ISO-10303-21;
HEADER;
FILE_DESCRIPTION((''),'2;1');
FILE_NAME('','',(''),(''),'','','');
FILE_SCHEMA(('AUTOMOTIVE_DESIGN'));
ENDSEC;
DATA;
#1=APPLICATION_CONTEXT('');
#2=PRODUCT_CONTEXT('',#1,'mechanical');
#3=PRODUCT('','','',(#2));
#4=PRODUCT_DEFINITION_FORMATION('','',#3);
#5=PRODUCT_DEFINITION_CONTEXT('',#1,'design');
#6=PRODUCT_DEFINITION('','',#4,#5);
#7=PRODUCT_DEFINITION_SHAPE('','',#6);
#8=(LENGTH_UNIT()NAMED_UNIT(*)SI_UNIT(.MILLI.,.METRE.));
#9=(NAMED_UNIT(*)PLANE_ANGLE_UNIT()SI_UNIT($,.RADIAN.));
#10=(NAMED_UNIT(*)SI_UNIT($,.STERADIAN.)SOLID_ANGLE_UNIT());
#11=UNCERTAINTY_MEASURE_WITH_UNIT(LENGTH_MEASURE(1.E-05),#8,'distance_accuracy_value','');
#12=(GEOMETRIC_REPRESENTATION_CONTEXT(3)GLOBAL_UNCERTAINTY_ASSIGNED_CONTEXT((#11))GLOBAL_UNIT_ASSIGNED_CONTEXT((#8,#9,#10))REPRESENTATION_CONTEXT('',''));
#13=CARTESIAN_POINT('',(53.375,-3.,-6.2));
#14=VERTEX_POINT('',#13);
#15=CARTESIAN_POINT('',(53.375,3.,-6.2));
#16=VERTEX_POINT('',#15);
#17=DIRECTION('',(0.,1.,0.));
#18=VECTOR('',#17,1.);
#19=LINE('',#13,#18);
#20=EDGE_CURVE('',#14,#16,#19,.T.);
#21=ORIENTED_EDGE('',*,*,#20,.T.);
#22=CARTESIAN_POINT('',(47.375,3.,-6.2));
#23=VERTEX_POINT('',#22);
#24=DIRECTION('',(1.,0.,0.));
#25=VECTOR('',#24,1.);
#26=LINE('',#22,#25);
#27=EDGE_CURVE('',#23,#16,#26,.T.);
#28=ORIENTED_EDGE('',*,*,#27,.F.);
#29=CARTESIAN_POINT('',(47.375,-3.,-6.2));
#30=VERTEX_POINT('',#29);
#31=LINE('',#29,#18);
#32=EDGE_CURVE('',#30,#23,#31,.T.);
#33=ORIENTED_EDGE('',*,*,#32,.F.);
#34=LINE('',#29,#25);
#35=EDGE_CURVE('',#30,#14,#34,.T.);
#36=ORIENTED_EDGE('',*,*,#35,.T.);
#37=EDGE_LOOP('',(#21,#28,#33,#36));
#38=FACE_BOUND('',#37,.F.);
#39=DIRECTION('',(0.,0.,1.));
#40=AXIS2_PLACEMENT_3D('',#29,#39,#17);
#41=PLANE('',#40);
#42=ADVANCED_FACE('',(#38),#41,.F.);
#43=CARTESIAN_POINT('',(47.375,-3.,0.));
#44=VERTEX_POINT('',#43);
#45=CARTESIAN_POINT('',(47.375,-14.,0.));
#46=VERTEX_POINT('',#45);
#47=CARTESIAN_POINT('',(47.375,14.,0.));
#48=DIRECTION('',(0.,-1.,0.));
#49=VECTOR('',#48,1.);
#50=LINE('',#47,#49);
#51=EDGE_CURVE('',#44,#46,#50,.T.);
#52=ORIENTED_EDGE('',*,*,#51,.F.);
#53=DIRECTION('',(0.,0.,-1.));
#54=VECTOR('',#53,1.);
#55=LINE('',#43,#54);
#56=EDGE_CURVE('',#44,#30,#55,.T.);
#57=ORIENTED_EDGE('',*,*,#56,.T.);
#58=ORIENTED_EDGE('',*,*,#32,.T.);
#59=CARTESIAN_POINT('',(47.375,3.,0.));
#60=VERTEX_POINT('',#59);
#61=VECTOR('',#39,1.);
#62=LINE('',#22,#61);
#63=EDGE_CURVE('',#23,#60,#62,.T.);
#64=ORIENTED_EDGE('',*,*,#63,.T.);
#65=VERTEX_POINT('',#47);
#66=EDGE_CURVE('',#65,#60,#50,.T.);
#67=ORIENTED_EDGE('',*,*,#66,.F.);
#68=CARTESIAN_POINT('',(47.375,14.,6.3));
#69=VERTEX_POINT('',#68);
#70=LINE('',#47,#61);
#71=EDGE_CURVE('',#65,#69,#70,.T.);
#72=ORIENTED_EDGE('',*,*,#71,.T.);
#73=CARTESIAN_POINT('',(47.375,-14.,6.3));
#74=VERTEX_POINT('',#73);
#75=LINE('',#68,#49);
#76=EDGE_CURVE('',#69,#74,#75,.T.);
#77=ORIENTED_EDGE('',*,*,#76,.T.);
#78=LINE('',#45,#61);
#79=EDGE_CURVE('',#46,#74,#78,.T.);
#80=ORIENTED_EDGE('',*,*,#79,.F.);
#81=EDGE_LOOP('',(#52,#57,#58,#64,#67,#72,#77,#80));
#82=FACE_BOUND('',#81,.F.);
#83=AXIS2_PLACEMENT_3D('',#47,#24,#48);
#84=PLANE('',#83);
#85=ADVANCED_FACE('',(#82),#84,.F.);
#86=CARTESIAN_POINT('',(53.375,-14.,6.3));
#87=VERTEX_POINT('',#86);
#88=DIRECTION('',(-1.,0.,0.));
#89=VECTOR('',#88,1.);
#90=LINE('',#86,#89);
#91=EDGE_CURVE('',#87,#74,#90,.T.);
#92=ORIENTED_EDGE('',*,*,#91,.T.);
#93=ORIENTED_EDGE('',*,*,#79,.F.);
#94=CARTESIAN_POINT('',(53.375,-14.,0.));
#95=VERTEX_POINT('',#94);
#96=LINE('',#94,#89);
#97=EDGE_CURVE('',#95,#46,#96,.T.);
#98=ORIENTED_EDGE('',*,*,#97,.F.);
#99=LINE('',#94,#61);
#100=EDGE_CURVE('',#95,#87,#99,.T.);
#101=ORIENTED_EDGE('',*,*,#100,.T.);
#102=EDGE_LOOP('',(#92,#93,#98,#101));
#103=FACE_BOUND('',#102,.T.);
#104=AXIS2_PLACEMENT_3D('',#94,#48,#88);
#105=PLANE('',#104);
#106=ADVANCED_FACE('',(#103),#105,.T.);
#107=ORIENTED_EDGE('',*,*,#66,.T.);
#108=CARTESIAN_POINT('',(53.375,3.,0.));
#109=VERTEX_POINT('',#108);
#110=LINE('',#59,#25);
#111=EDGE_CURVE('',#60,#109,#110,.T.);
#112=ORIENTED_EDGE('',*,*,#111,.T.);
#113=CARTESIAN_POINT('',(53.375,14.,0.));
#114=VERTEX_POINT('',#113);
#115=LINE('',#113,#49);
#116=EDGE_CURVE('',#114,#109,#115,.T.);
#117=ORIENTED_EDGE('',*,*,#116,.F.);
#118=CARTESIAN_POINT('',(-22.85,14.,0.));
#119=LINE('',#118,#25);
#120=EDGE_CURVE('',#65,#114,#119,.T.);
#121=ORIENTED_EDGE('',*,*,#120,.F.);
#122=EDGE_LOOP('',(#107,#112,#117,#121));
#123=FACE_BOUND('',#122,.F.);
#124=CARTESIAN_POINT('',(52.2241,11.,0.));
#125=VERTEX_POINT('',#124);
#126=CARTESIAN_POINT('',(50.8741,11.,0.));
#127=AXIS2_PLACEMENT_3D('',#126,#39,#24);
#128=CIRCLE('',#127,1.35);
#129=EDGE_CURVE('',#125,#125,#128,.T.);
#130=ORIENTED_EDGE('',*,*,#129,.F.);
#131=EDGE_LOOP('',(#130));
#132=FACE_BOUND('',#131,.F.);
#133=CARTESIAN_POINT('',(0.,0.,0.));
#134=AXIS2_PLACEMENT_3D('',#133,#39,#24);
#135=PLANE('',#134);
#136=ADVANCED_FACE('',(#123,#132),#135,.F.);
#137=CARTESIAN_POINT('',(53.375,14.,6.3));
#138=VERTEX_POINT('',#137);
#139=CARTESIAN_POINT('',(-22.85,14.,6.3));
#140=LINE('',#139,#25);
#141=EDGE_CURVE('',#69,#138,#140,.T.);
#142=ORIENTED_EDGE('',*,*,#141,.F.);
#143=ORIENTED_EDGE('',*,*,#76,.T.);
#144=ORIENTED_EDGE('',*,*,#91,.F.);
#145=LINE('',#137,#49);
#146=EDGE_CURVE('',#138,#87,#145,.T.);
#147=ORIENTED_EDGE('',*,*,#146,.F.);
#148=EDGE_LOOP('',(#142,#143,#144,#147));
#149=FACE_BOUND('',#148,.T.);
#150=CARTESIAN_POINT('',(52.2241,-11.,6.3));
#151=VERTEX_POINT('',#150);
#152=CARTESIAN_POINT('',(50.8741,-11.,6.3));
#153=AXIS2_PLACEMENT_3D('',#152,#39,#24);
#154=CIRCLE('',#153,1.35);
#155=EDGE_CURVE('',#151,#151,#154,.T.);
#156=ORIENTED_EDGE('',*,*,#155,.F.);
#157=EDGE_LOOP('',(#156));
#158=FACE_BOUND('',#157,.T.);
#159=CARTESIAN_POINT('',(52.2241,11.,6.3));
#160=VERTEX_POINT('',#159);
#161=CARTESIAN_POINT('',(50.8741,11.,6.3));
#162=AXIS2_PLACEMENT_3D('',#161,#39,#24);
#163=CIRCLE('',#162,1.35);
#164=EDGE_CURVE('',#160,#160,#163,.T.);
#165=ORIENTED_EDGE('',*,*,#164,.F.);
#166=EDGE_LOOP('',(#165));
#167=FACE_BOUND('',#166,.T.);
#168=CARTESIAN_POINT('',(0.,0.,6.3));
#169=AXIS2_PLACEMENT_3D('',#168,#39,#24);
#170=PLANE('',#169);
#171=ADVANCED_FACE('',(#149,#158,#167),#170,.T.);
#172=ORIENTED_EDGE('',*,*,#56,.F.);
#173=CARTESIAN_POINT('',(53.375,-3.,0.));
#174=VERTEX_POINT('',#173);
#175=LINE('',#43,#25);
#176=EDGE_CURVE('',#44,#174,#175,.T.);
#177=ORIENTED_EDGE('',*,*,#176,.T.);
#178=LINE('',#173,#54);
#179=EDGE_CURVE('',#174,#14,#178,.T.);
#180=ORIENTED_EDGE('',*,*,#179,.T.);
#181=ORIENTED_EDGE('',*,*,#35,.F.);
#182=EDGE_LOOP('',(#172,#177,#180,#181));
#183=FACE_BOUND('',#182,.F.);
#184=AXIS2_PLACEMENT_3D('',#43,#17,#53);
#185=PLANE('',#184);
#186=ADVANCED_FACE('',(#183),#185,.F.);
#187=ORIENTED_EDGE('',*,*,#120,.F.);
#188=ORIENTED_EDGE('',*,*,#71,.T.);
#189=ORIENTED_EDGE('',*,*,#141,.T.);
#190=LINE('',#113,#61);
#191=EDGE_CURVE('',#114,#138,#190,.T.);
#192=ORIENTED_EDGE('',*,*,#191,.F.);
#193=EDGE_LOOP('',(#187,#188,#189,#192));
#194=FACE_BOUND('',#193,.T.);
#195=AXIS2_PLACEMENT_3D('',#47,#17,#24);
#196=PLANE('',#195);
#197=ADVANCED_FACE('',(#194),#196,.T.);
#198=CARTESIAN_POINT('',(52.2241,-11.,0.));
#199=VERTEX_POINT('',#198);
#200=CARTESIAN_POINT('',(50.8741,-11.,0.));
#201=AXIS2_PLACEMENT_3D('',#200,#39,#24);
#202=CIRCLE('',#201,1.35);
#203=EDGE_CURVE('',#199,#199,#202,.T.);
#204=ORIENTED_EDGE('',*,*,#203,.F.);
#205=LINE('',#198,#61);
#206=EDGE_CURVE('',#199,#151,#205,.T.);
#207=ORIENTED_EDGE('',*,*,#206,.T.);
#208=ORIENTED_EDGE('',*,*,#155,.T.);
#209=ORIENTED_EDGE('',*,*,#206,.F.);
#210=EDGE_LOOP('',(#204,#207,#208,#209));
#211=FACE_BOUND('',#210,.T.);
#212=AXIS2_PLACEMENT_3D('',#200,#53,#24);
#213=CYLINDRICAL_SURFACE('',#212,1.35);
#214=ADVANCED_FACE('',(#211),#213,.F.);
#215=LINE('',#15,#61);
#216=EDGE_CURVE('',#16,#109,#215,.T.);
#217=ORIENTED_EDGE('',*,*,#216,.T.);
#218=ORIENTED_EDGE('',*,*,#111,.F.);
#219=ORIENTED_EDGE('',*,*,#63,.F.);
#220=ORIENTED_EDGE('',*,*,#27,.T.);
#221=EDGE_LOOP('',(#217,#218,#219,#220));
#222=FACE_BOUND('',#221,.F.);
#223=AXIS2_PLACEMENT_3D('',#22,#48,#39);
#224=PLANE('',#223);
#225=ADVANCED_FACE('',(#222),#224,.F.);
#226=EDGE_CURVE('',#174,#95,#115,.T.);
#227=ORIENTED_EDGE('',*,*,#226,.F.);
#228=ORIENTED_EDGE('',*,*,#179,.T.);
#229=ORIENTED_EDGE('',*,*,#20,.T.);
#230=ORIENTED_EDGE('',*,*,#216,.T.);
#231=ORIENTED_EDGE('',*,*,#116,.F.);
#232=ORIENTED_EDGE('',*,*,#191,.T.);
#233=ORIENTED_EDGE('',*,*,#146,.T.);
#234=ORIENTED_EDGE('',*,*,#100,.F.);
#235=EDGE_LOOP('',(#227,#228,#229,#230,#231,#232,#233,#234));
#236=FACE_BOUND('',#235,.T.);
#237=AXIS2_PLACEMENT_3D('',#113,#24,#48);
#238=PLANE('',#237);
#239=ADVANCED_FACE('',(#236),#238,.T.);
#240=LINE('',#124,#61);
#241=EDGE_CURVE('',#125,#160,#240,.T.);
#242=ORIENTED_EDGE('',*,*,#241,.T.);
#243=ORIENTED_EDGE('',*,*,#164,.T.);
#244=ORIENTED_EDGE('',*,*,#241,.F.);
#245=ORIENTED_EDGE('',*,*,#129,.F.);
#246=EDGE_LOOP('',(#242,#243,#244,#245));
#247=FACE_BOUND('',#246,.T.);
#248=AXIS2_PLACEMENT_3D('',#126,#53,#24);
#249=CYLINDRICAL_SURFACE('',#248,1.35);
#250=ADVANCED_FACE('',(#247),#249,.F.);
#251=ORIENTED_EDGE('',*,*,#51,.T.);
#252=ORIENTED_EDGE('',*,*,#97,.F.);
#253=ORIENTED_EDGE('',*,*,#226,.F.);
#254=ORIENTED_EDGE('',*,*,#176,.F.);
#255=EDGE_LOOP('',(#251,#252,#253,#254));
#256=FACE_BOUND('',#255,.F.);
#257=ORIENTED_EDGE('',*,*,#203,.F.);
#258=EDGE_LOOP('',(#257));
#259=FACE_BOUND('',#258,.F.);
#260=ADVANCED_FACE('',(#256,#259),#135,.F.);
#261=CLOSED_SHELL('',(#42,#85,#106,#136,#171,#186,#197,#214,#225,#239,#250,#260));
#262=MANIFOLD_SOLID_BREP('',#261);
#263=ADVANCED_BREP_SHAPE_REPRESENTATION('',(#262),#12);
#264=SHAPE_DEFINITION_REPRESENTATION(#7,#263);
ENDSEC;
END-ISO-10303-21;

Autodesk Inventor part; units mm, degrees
ref_plane "YZ Plane" through (0, 0, 0) normal (1, 0, 0) x (0, 1, 0)
ref_plane "XZ Plane" through (0, 0, 0) normal (0, 1, 0) x (-1, 0, 0)
ref_plane "XY Plane" through (0, 0, 0) normal (0, 0, 1) x (1, 0, 0)
sketch "스케치1" plane through (0, 0, 0) normal (0, 0, 1) x (1, 0, 0)
  line L0 (-22.85, 14) -> (53.375, 14) projected
  arc A0 (-22.85, 14) -> (-34.1366, 8.2833) centre (-22.85, 0) ccw projected
  arc A1 (-34.1366, 8.2833) -> (-32.5242, 5.1) centre (-32.5242, 7.1) ccw projected
  line L1 (-22.85, 5.1) -> (-32.5242, 5.1) projected
  arc A2 (-22.85, -5.1) -> (-22.85, 5.1) centre (-22.85, 0) ccw projected
  line L2 (-32.5242, -5.1) -> (-22.85, -5.1) projected
  arc A3 (-32.5242, -5.1) -> (-34.1366, -8.2833) centre (-32.5242, -7.1) ccw projected
  arc A4 (-34.1366, -8.2833) -> (-22.85, -14) centre (-22.85, 0) ccw projected
  line L3 (53.375, -14) -> (-22.85, -14) projected
  line L4 (53.375, 14) -> (53.375, -14) projected
  circle A5 centre (-15.0718, 7.7782) radius 1.025 projected
  circle A6 centre (-15.0718, -7.7782) radius 1.025 projected
  circle A7 centre (-22.85, -11) radius 1.025 projected
  circle A8 centre (-22.85, 11) radius 1.025 projected
  circle A9 centre (-30.6282, -7.7782) radius 1.025 projected
  circle A10 centre (-11.85, 0) radius 1.025 projected
  circle A11 centre (-30.6282, 7.7782) radius 1.025 projected
  circle A12 centre (50.8741, 11) radius 1.35 projected
  circle A13 centre (50.8741, -11) radius 1.35 projected
  line L5 (53.375, 14) -> (47.375, 14)
  line L6 (47.375, 14) -> (47.375, -14)
  line L7 (47.375, -14) -> (53.375, -14)
  line L8 (53.375, -14) -> (53.375, 14)
  point P0 (0, 0)
  dimension "d0" = 6
extrude "돌출1" add sketch "스케치1" along normal blind 6.3 contours L0 L4 L3 L6
sketch "스케치2" plane through (47.375, -14, 0) normal (-1, 0, 0) x (0, 0, 1)
  line L0 (0, 14) -> (0, 11)
  line L1 (0, 28) -> (0, 0) projected
  line L2 (-6.2, 17.1) -> (-6.2, 28) projected
  line L3 (-6.2, 28) -> (0, 28) projected
  line L4 (-0.2, 17.1) -> (-0.2, 28) projected
  line L5 (0, 11) -> (-6.2, 11)
  line L6 (-6.2, 11) -> (-6.2, 17)
  line L7 (-6.2, 17) -> (0, 17)
  line L8 (0, 17) -> (0, 11)
  line L9 (-0.2, 17.1) -> (-6.2, 17.1) projected
  point P0 (-6, 11)
  point P1 (0, 17.1)
  dimension "d3" = 3
extrude "돌출2" add sketch "스케치2" against normal blind 6 contours L0 L5 L6 L7 L1
properties part number "afsd" material "PMMA 플라스틱"
